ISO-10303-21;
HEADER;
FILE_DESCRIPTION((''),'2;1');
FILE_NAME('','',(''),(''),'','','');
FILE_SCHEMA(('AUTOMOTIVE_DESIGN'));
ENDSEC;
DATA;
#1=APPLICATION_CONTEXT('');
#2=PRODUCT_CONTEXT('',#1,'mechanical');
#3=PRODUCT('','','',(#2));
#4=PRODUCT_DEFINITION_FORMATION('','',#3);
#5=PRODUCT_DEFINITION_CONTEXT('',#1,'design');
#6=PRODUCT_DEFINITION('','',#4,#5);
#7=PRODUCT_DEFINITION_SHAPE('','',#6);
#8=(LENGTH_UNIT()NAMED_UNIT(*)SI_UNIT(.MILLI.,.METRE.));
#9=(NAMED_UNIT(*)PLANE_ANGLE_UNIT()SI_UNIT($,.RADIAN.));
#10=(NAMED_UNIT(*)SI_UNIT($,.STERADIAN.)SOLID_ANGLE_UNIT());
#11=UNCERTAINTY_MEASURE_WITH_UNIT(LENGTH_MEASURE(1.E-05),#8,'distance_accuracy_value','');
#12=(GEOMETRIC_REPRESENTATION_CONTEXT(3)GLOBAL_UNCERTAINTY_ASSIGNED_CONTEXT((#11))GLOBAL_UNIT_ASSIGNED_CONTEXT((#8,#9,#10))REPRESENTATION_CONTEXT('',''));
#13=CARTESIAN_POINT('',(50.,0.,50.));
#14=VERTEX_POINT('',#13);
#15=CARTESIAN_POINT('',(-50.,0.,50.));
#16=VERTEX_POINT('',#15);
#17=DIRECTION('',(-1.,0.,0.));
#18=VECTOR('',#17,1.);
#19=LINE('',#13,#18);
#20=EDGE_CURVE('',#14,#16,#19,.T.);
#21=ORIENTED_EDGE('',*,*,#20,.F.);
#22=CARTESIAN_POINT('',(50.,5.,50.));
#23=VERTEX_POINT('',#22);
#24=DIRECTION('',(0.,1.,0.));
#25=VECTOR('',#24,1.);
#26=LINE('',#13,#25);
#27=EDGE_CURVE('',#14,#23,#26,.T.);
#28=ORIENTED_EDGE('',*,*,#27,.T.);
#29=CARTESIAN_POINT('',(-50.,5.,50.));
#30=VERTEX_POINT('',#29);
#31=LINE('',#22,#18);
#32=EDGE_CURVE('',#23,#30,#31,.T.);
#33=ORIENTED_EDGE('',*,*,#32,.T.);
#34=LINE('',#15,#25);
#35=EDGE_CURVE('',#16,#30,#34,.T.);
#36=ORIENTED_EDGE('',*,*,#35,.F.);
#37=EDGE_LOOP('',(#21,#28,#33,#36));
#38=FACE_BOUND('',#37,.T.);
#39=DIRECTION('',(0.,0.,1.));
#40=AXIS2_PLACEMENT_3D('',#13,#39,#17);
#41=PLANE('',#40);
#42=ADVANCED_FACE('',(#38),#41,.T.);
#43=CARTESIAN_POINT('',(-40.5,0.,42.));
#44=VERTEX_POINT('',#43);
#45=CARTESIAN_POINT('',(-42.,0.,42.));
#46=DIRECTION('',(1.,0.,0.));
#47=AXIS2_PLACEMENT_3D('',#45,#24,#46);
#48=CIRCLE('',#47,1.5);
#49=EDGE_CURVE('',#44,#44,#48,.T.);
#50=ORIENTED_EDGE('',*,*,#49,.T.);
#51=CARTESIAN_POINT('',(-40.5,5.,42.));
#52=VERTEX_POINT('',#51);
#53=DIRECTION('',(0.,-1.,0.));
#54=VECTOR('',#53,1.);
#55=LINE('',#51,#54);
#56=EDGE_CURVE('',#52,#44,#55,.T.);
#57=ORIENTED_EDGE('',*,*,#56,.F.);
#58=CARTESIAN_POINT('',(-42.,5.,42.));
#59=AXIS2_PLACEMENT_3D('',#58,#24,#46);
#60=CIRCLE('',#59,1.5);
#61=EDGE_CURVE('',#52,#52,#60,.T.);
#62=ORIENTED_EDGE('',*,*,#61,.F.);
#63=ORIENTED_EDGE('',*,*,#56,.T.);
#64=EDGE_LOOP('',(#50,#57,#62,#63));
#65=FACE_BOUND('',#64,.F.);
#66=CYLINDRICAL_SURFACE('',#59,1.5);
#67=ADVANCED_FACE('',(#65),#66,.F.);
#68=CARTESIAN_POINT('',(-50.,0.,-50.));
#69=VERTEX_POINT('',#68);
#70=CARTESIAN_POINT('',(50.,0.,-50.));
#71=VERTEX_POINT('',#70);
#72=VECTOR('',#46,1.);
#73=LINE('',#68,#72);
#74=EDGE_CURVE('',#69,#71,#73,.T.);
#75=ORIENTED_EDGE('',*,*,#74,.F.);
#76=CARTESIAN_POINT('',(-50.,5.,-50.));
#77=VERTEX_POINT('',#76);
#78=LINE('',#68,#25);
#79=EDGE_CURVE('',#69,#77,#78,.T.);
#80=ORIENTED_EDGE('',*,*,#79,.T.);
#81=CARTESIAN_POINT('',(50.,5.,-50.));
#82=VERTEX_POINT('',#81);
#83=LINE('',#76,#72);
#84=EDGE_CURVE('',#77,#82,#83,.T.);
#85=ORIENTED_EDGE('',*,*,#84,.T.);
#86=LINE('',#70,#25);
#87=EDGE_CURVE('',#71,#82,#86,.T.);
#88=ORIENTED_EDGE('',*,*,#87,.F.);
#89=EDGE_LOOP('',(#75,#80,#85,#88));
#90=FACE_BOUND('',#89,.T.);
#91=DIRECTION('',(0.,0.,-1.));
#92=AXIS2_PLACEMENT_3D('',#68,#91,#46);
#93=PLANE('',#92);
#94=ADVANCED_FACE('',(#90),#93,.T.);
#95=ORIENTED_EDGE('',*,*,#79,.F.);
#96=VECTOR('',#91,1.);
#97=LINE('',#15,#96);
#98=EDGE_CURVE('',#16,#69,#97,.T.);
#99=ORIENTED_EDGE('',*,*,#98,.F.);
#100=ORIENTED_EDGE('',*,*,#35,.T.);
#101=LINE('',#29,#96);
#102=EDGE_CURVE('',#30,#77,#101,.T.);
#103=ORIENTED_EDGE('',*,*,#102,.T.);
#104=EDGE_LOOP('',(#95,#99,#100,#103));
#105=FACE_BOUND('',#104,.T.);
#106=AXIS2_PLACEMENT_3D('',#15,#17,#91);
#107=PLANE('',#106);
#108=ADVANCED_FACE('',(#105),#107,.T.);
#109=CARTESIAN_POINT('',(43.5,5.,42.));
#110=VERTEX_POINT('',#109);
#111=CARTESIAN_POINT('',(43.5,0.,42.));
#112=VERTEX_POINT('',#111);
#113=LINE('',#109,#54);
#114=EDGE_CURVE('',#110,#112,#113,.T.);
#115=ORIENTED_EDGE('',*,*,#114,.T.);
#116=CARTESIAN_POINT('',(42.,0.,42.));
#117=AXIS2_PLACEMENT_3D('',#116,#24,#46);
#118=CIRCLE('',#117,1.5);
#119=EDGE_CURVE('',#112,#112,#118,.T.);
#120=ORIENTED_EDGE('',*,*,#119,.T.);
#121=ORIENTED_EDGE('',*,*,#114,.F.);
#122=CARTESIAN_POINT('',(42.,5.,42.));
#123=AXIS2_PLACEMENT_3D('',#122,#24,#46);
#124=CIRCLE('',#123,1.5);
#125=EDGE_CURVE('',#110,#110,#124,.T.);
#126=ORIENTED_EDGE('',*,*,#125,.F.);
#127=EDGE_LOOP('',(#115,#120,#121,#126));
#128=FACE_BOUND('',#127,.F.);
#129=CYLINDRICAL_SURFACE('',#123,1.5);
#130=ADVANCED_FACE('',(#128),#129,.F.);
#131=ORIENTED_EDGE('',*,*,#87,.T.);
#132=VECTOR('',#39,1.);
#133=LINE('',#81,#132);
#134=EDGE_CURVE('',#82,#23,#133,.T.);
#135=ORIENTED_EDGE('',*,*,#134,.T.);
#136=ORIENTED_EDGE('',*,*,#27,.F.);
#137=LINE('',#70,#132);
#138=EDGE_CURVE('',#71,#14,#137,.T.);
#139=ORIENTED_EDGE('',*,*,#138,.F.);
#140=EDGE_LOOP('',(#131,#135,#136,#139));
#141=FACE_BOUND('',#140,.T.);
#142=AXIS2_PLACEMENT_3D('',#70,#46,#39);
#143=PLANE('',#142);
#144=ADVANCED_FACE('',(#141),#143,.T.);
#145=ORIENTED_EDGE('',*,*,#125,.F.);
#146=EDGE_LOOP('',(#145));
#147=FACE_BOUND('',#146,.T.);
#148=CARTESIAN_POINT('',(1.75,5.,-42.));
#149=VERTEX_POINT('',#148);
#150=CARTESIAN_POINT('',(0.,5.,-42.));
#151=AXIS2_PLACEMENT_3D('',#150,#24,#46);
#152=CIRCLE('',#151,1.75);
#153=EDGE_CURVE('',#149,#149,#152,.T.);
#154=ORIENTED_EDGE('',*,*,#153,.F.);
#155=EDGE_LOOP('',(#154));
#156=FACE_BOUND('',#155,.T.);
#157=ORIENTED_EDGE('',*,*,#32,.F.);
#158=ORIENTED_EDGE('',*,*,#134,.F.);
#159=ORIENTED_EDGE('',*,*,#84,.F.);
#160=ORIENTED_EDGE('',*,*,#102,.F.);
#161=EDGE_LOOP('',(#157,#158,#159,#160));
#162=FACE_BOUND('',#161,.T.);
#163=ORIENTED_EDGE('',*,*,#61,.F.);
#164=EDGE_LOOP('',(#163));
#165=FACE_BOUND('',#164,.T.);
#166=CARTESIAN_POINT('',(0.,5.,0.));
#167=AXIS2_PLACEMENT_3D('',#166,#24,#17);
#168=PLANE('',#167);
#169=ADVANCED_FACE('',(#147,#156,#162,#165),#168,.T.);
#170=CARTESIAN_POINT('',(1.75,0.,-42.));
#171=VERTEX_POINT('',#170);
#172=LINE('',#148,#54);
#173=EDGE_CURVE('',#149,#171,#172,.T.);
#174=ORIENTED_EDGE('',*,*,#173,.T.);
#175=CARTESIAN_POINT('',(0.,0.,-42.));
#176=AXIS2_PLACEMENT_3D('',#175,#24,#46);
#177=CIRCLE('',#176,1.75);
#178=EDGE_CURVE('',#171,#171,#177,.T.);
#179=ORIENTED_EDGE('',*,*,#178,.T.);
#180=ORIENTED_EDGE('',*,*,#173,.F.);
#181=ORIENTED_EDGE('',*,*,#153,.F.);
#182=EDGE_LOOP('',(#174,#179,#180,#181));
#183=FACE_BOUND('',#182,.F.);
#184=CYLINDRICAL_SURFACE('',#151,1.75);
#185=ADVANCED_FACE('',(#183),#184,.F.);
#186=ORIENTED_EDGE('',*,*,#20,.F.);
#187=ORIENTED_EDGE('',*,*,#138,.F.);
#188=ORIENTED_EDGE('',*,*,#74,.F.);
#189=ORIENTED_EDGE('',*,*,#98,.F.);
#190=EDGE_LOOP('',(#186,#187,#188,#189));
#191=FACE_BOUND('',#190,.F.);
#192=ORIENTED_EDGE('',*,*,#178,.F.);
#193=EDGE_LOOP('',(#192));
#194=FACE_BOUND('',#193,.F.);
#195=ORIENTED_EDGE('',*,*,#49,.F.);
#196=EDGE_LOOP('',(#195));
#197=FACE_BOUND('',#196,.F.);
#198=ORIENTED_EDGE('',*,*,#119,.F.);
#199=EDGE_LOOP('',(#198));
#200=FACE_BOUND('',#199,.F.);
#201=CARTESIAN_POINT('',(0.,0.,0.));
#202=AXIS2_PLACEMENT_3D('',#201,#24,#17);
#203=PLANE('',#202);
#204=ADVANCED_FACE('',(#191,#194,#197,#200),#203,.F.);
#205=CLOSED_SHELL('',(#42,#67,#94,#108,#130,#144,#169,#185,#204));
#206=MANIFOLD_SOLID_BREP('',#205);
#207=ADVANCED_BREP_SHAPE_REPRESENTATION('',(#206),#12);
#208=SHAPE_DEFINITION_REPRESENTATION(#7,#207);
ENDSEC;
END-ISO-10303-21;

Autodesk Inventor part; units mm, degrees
ref_plane "YZ Plane" through (0, 0, 0) normal (1, 0, 0) x (0, 1, 0)
ref_plane "XZ Plane" through (0, 0, 0) normal (0, 1, 0) x (-1, 0, 0)
ref_plane "XY Plane" through (0, 0, 0) normal (0, 0, 1) x (1, 0, 0)
sketch "Sketch1" plane through (0, 0, 0) normal (0, 1, 0) x (-1, 0, 0)
  line L0 (50, -50) -> (-50, -50)
  line L1 (-50, -50) -> (-50, 50)
  line L2 (-50, 50) -> (50, 50)
  line L3 (50, 50) -> (50, -50)
  line L4 (50, -50) -> (-50, 50) construction
  line L5 (-50, -50) -> (50, 50) construction
  point P0 (0, 0)
  dimension "d0" = 100
  dimension "d1" = 100
extrude "Extrusion1" add sketch "Sketch1" along normal blind 5
sketch "Sketch2" plane through (0, 5, 0) normal (0, 1, 0) x (1, 0, 0)
  circle A0 centre (42, 0) radius 4
  circle A1 centre (42, -42) radius 1.5
  circle A2 centre (-42, -42) radius 1.5
  circle A3 centre (-42, 0) radius 4
  circle A4 centre (0, 42) radius 1.75
  line L0 (-50, -50) -> (-50, 50) projected
  line L1 (50, 50) -> (-50, 50) projected
  line L2 (-50, -50) -> (50, -50) projected
  line L3 (50, 50) -> (50, -50) projected
  point P0 (0, 0)
  dimension "d5" = 8
  dimension "d6" = 3
  dimension "d7" = 3
  dimension "d8" = 8
  dimension "d9" = 3.5
  dimension "d12" = 8
  dimension "d13" = 8
  dimension "d14" = 8
  dimension "d15" = 8
  dimension "d16" = 8
  dimension "d17" = 8
  dimension "d22" = 50
  dimension "d23" = 8
extrude "Extrusion2" cut sketch "Sketch2" against normal blind 5 contours A1 | A2 | A4
properties part number "print"
